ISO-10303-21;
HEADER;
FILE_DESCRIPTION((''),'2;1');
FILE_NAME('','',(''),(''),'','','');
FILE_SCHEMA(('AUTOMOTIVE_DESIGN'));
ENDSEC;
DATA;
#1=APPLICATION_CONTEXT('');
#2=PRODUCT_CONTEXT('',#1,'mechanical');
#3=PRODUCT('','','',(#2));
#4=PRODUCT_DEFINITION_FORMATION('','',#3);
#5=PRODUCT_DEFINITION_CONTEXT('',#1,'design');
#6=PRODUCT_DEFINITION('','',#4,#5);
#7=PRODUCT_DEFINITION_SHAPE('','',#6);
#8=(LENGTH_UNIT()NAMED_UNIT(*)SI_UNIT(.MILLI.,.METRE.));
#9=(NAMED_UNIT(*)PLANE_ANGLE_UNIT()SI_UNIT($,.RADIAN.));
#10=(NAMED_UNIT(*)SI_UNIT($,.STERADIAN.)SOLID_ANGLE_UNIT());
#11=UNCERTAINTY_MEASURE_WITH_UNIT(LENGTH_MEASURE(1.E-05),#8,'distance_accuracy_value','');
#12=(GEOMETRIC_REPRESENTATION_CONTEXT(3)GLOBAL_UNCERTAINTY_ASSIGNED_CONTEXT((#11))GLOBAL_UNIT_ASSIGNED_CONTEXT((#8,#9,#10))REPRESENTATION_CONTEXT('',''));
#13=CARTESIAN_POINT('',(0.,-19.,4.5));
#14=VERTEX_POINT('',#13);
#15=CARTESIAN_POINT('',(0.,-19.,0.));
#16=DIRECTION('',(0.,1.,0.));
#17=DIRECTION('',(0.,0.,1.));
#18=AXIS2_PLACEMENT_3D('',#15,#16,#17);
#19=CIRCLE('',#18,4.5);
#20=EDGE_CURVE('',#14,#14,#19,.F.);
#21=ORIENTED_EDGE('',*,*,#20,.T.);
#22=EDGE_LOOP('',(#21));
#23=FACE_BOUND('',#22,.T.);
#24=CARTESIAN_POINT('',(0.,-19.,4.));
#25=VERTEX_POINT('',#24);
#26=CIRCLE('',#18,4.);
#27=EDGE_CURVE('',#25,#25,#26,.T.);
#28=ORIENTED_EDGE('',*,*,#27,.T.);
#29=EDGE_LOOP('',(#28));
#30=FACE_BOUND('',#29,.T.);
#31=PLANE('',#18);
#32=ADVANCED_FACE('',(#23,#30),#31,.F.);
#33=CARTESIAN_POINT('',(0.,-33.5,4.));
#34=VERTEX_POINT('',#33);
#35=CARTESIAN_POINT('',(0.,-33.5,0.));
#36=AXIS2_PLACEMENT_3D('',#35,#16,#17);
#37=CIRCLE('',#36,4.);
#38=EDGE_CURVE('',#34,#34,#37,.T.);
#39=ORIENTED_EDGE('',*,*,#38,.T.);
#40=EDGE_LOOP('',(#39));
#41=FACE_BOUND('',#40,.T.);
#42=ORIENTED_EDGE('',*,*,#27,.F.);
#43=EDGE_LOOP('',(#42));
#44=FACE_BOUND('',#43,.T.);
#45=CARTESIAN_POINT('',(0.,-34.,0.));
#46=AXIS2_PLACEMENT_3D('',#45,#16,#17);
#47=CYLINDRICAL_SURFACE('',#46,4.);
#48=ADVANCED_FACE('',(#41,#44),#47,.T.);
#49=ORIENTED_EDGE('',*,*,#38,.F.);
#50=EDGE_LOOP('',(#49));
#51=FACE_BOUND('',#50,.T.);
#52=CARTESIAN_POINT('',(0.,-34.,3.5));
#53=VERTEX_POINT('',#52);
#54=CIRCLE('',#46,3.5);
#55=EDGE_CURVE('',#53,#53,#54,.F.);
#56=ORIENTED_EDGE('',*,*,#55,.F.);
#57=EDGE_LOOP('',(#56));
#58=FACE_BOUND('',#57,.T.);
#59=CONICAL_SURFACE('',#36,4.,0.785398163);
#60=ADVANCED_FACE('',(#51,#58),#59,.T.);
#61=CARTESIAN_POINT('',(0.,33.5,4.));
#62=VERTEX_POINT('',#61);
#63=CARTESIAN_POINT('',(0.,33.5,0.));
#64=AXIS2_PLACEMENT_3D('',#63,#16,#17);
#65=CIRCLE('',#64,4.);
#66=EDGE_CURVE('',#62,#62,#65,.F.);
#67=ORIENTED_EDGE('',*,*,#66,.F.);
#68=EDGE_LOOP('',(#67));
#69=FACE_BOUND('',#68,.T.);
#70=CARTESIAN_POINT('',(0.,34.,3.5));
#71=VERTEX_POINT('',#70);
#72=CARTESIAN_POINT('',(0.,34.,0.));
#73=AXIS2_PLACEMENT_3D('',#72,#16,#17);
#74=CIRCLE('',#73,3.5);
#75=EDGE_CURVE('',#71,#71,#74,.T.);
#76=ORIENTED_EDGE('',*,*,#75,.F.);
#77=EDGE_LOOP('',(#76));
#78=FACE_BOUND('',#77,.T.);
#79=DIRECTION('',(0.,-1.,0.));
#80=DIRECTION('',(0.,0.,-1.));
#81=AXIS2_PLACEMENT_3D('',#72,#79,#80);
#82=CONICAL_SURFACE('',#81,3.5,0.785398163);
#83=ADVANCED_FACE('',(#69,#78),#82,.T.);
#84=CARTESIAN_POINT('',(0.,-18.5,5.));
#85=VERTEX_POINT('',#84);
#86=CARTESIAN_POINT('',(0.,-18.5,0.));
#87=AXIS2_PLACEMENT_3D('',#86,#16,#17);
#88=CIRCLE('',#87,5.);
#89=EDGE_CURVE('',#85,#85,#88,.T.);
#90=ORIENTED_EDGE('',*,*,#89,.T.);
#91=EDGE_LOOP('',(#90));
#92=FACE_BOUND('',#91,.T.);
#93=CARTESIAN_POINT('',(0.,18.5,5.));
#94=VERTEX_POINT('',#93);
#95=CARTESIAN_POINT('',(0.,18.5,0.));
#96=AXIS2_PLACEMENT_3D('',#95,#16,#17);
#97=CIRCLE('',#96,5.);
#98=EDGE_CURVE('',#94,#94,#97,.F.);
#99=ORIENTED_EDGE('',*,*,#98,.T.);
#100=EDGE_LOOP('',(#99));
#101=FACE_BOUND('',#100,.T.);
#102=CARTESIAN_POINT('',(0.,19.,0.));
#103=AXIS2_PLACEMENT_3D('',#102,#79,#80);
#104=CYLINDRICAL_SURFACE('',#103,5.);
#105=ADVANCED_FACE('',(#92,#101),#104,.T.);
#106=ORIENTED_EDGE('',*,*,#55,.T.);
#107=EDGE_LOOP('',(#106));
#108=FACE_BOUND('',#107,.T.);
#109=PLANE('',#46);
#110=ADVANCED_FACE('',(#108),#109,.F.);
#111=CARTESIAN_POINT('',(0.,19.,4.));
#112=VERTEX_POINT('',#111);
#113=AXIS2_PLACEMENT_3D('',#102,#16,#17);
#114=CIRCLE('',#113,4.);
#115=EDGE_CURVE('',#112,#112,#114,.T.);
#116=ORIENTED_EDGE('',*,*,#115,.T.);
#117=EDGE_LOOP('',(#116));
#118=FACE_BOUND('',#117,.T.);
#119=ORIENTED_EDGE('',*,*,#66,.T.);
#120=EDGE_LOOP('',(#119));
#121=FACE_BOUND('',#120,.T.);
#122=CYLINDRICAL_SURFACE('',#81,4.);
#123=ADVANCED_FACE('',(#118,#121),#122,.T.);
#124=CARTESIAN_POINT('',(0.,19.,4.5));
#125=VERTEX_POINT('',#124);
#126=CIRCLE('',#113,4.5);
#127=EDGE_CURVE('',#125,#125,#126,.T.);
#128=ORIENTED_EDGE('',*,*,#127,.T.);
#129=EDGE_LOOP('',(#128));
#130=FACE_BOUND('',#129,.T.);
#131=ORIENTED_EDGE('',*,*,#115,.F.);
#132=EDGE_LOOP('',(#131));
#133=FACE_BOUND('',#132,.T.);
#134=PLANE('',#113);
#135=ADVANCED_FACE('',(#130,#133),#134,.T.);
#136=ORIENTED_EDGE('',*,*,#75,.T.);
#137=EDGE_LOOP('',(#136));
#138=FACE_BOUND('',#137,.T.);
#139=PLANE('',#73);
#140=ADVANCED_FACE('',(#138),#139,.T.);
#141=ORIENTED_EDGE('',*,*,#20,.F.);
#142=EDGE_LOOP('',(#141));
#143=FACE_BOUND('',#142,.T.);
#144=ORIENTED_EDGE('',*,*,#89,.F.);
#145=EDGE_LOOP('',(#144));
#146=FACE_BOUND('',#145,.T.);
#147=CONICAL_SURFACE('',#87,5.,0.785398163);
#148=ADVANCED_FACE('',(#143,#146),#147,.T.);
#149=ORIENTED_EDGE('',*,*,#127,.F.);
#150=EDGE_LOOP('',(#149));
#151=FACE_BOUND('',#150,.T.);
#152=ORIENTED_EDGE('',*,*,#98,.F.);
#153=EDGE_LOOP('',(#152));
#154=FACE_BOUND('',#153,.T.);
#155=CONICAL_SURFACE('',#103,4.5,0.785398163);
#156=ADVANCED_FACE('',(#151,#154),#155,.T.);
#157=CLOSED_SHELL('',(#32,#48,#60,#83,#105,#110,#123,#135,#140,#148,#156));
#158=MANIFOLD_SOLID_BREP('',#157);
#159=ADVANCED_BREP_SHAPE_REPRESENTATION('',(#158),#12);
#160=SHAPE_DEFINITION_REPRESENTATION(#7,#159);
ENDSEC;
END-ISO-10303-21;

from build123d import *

# Parameters (mm, degrees)
SKETCH1_R           = 5
BOSS_EXTRUDE1_DEPTH = 19
SKETCH2_R           = 4
BOSS_EXTRUDE2_DEPTH = 15
BOSS_EXTRUDE3_START = -53
SKETCH2_2_R         = 4
BOSS_EXTRUDE3_DEPTH = 15
CHAMFER1_SIZE       = 0.5
CHAMFER2_SIZE       = 0.5


with BuildPart() as part:
    # Sketch1 → Boss-Extrude1 (new, symmetric)
    with BuildSketch(Plane(origin=(0, 0, 0), x_dir=(1, 0, 0), z_dir=(0, 1, 0))):
        with Locations(Location((0, 0, 0), (0, 0, 270))):
            Circle(SKETCH1_R)
    extrude(amount=BOSS_EXTRUDE1_DEPTH, both=True)

    # Sketch2 → Boss-Extrude2 (add)
    with BuildSketch(Plane(origin=(0, 19, 0), x_dir=(1, 0, 0), z_dir=(0, 1, 0))):
        with Locations(Location((0, 0, 0), (0, 0, 270))):
            Circle(SKETCH2_R)
    extrude(amount=BOSS_EXTRUDE2_DEPTH)

    # Sketch2<2> → Boss-Extrude3 (add)
    with BuildSketch(Plane(origin=(0, 19, 0), x_dir=(1, 0, 0), z_dir=(0, 1, 0)).offset(BOSS_EXTRUDE3_START)):
        with Locations(Location((0, 0, 0), (0, 0, 270))):
            Circle(SKETCH2_2_R)
    extrude(amount=BOSS_EXTRUDE3_DEPTH)

    # Chamfer1
    chamfer1_edges = [part.edges().sort_by_distance(p)[0] for p in [
        (0, -34, -4),
        (0, 34, -4),
    ]]
    chamfer(chamfer1_edges, length=CHAMFER1_SIZE)

    # Chamfer2
    chamfer2_edges = [part.edges().sort_by_distance(p)[0] for p in [
        (0, -19, -5),
        (0, 19, -5),
    ]]
    chamfer(chamfer2_edges, length=CHAMFER2_SIZE)


solid = part.part
